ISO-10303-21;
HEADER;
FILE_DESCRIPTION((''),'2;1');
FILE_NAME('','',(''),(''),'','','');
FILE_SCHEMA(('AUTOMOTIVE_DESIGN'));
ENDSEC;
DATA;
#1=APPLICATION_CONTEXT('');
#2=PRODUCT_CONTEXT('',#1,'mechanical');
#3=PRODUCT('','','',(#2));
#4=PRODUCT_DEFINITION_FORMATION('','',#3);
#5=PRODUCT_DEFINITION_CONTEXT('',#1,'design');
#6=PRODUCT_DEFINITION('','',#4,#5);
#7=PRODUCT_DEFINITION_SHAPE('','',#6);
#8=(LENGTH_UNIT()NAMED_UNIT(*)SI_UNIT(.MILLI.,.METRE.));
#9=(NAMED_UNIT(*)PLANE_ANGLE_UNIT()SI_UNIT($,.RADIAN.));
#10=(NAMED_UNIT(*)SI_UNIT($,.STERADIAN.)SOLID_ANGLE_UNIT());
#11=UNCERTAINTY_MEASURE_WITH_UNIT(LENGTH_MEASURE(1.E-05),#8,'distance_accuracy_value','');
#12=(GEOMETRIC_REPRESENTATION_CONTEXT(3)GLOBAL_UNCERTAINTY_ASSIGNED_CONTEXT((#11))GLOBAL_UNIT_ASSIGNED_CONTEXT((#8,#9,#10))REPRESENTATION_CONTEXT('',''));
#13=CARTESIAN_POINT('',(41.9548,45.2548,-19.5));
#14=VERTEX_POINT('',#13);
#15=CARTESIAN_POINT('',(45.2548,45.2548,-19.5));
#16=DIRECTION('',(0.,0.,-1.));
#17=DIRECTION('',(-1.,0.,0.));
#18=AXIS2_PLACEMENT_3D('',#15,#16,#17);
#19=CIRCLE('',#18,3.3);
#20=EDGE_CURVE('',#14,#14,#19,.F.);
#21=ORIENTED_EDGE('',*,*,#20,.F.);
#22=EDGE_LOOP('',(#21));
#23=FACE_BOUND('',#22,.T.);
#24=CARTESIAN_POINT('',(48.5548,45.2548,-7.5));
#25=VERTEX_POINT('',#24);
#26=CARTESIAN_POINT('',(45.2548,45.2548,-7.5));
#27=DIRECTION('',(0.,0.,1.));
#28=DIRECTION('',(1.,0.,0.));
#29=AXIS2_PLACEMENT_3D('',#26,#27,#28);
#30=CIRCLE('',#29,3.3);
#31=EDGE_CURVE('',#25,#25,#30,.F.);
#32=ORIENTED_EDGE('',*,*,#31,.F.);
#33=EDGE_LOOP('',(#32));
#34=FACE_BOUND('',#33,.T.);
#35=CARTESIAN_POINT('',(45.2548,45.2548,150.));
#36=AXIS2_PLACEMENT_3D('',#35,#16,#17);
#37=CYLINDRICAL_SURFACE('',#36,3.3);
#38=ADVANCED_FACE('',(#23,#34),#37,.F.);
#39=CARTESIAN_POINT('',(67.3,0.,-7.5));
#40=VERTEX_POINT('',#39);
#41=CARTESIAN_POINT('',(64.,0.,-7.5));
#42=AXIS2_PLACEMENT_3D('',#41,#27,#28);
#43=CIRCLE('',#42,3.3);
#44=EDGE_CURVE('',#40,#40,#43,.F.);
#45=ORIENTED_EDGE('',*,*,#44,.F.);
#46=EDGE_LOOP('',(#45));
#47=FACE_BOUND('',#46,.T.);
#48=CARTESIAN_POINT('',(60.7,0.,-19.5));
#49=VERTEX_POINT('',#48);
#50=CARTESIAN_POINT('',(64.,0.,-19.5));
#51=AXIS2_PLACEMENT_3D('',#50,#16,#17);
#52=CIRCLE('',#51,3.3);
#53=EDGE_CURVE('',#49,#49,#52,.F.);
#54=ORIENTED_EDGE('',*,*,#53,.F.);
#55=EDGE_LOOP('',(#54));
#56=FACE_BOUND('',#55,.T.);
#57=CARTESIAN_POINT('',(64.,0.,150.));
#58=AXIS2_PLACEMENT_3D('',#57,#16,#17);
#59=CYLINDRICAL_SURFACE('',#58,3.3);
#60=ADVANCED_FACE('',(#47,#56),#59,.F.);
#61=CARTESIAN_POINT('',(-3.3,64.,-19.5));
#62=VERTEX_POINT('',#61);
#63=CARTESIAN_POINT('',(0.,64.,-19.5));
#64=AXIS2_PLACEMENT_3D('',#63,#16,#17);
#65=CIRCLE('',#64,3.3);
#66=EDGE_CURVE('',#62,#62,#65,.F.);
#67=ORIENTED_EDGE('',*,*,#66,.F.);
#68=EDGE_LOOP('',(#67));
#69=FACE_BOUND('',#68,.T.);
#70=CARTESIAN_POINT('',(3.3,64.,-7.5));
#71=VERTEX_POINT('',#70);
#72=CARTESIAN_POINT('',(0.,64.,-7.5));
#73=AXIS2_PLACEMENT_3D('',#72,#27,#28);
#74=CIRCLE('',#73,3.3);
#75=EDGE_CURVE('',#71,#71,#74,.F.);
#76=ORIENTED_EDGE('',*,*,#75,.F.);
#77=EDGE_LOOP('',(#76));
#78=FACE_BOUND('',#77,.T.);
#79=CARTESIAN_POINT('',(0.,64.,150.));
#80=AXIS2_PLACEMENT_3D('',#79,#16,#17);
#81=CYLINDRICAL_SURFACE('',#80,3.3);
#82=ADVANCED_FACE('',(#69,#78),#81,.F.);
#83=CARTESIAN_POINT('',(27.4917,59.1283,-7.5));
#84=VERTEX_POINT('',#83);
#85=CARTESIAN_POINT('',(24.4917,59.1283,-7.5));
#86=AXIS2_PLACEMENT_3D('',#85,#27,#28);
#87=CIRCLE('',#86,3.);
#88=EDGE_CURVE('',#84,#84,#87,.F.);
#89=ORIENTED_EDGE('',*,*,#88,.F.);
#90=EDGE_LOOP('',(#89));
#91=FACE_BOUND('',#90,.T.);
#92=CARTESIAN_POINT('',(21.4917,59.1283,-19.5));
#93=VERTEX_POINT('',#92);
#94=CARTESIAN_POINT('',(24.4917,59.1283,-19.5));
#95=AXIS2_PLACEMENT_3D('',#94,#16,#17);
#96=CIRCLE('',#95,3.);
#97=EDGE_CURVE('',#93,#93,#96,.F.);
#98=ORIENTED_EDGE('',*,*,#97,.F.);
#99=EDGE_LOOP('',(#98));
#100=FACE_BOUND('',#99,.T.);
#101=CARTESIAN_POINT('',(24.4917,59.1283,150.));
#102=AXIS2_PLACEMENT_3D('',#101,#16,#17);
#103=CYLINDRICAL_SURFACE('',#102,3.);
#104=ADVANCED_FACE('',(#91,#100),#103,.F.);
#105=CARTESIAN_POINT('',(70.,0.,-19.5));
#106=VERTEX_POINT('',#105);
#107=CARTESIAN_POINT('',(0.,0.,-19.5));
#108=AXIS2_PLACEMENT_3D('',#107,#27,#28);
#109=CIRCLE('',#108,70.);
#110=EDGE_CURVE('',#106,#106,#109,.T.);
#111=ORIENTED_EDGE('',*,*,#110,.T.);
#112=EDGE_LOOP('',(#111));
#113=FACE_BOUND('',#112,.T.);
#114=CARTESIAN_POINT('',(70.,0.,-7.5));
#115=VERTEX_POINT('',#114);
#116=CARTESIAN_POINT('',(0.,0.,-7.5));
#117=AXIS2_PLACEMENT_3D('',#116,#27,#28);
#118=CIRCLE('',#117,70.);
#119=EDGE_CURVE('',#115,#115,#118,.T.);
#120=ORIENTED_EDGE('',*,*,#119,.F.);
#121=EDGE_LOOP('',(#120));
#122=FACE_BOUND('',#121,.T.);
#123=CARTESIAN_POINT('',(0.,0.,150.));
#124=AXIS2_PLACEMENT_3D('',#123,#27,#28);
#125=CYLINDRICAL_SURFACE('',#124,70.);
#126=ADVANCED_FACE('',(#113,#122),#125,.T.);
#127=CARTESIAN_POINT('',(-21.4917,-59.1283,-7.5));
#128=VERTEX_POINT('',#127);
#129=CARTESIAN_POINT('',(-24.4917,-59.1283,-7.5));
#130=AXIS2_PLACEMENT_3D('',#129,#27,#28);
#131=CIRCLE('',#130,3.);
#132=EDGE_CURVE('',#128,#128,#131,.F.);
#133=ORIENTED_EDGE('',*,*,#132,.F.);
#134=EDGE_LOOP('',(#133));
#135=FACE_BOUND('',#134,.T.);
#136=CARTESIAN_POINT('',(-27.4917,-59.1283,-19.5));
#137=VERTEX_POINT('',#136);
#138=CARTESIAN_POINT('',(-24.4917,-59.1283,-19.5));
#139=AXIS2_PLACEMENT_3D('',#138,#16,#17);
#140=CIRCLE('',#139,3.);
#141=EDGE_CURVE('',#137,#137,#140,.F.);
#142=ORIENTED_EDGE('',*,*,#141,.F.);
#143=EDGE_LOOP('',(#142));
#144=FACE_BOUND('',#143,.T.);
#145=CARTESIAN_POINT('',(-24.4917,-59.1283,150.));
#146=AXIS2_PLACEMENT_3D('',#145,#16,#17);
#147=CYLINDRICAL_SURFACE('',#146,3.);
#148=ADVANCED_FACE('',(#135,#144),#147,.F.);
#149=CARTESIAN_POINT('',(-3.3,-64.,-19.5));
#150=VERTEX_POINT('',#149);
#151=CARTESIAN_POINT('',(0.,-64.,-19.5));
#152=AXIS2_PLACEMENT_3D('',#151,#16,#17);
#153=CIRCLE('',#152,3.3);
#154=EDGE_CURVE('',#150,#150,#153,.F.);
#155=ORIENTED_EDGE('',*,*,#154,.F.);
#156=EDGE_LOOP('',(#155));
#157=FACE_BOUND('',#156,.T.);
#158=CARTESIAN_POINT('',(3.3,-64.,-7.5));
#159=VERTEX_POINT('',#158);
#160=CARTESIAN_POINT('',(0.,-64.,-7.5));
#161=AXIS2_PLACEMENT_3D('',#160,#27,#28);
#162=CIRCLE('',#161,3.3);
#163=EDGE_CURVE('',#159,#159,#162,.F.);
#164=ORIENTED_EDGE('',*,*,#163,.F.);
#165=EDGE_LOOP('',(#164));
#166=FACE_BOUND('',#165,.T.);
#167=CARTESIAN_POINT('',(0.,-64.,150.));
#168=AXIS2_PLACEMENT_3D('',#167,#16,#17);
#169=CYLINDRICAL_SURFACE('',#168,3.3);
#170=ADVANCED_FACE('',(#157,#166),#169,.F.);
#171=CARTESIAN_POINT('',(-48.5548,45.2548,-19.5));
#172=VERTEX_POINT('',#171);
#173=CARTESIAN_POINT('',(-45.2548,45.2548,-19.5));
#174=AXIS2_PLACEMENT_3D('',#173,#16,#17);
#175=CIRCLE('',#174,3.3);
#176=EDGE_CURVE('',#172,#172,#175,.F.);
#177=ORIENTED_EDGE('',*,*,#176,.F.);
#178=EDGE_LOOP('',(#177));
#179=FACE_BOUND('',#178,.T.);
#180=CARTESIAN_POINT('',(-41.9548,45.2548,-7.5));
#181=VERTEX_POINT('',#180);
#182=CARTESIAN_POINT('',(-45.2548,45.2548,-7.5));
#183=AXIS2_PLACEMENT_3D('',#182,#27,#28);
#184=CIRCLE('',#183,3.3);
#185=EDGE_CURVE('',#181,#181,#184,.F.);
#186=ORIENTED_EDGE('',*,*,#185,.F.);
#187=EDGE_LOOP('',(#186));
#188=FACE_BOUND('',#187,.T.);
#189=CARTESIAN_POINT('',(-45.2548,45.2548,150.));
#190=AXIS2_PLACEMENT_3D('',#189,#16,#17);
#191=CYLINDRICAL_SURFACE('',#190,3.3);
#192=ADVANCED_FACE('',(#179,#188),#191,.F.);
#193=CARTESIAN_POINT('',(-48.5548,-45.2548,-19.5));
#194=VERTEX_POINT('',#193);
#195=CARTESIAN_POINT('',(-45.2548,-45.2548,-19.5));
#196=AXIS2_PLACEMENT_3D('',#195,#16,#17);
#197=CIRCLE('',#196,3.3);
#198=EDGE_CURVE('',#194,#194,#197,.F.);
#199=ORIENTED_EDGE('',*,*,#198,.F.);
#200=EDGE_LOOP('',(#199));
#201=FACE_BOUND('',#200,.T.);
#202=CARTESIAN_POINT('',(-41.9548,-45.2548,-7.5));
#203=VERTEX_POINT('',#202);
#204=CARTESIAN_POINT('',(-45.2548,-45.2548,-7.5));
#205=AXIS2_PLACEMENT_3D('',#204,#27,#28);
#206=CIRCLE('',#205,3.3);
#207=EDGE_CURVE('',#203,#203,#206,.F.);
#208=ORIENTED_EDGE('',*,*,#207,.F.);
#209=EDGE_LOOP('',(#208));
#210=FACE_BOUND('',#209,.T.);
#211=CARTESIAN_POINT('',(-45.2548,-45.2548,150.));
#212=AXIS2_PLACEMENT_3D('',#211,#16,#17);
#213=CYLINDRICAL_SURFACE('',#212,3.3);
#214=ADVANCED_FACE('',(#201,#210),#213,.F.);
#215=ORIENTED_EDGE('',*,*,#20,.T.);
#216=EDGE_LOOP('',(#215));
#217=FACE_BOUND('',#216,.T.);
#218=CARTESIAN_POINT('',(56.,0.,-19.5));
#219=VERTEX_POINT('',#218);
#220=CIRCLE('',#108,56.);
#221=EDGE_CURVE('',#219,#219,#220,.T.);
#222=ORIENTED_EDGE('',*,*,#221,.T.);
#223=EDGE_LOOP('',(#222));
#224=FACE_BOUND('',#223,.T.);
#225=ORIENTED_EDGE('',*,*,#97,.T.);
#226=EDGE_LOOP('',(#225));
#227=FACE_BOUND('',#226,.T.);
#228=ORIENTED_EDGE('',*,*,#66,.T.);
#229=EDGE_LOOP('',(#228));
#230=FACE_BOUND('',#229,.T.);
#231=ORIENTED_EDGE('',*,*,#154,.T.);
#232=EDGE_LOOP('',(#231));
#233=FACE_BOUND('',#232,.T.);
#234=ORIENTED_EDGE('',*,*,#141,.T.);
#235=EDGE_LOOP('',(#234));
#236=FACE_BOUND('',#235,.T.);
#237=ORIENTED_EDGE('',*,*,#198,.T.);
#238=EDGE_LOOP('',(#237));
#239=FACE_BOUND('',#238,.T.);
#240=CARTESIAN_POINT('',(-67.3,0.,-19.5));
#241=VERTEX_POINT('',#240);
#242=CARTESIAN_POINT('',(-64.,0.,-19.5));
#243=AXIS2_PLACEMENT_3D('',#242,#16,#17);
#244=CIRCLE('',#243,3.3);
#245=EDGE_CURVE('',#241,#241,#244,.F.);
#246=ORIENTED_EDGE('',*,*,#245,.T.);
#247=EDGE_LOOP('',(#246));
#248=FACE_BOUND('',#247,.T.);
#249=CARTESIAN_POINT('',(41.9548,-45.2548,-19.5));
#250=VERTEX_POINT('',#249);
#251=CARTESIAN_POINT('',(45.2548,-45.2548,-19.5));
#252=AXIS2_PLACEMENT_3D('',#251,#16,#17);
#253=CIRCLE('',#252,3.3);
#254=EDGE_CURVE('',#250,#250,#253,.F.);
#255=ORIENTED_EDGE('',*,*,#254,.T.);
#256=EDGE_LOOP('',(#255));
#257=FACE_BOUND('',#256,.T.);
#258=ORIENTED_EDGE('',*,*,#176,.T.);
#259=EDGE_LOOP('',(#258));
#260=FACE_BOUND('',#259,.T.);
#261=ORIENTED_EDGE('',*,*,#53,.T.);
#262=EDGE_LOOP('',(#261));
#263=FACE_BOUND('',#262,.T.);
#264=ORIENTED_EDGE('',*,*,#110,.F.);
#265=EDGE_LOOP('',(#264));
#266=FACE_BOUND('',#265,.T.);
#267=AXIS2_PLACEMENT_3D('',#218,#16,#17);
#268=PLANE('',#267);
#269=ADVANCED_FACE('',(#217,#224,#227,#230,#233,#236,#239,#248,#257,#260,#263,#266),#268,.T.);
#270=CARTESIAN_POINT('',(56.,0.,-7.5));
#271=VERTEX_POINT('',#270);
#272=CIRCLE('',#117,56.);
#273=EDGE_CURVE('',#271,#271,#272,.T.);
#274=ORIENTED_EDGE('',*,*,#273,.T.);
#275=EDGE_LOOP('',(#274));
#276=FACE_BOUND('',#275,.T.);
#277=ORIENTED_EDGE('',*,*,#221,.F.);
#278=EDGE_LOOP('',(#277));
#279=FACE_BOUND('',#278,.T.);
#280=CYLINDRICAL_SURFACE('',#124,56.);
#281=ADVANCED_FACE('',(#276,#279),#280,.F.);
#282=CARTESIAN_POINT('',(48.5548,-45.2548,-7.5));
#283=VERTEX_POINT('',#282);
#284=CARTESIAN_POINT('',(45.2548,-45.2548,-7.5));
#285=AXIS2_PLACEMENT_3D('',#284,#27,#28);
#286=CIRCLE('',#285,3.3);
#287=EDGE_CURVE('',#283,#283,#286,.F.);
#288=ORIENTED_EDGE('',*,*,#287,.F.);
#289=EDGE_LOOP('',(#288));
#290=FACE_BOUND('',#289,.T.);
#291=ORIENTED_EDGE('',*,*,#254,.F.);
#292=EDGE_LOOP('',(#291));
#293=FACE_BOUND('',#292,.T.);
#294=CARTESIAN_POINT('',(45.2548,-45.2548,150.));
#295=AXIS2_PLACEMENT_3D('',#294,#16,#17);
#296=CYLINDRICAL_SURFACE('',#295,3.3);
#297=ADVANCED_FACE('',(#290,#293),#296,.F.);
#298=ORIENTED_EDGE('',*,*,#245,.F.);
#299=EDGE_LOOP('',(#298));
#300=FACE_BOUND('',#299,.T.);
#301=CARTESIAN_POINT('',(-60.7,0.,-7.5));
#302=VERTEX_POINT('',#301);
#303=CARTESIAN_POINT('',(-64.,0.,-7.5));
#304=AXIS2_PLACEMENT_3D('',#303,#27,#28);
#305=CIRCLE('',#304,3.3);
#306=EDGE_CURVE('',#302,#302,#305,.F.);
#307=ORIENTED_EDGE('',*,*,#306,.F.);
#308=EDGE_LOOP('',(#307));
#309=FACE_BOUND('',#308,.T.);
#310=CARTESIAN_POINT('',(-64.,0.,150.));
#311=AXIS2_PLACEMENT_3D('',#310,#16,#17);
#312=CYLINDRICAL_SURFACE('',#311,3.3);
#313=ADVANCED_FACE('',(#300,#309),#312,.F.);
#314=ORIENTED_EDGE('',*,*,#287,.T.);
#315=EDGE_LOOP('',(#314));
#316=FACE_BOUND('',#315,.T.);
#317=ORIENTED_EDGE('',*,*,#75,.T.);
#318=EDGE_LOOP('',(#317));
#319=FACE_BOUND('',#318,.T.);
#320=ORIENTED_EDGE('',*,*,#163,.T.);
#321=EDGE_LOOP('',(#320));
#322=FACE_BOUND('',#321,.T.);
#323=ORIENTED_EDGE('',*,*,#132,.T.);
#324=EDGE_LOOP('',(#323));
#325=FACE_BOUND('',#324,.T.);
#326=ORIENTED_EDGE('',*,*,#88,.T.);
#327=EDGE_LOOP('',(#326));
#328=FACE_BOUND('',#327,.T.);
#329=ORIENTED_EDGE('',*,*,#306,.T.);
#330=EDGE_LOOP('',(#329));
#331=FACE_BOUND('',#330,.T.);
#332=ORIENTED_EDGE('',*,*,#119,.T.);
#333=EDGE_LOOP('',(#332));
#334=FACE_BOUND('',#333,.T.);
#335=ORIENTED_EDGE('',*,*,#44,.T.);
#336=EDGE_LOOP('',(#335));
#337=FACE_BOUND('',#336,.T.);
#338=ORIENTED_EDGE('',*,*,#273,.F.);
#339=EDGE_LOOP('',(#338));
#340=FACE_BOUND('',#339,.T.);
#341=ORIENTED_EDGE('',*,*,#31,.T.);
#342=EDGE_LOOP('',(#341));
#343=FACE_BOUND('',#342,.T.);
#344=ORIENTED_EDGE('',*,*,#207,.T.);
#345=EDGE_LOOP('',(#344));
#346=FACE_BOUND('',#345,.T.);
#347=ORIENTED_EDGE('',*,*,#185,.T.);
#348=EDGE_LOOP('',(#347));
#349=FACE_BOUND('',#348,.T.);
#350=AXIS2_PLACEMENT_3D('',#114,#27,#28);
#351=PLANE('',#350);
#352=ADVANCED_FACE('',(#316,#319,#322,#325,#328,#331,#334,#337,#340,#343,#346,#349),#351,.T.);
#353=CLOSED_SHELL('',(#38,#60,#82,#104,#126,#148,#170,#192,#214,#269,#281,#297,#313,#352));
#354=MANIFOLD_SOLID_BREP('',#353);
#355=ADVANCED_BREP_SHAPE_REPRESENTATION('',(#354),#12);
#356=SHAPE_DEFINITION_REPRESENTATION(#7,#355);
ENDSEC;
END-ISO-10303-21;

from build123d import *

# Parameters (mm, degrees)
SKETCH1_W                              = 14
SKETCH1_H                              = 12
SKETCH2_R                              = 3.3
SKETCH2_R_2                            = 3
CUT_8XTIE_D6_6_2XDOWEL_D6_PCD128_DEPTH = 150


with BuildPart() as part:
    # Sketch1 → REV_Interstage_Spacer (revolve)
    with BuildSketch(Plane(origin=(0, 0, 0), x_dir=(1, 0, 0), z_dir=(0, 1, 0))):
        with Locations((63, 13.5)):
            Rectangle(SKETCH1_W, SKETCH1_H)
    revolve(axis=Axis((0, 0, 150), (0, 0, -1)))

    # Sketch2 → CUT_8xTie_D6.6_2xDowel_D6_PCD128 (cut, symmetric)
    with BuildSketch(Plane.XY):
        with Locations(Location((64, 0, 0), (0, 0, 180))):
            Circle(SKETCH2_R)
        with Locations(Location((45.2548, 45.2548, 0), (0, 0, 180))):
            Circle(SKETCH2_R)
        with Locations(Location((0, 64, 0), (0, 0, 180))):
            Circle(SKETCH2_R)
        with Locations(Location((-45.2548, 45.2548, 0), (0, 0, 180))):
            Circle(SKETCH2_R)
        with Locations(Location((-64, 0, 0), (0, 0, 180))):
            Circle(SKETCH2_R)
        with Locations(Location((-45.2548, -45.2548, 0), (0, 0, 180))):
            Circle(SKETCH2_R)
        with Locations(Location((0, -64, 0), (0, 0, 180))):
            Circle(SKETCH2_R)
        with Locations(Location((45.2548, -45.2548, 0), (0, 0, 180))):
            Circle(SKETCH2_R)
        with Locations(Location((24.4917, 59.1283, 0), (0, 0, 180))):
            Circle(SKETCH2_R_2)
        with Locations(Location((-24.4917, -59.1283, 0), (0, 0, 180))):
            Circle(SKETCH2_R_2)
    extrude(amount=CUT_8XTIE_D6_6_2XDOWEL_D6_PCD128_DEPTH, both=True, mode=Mode.SUBTRACT)


solid = part.part
